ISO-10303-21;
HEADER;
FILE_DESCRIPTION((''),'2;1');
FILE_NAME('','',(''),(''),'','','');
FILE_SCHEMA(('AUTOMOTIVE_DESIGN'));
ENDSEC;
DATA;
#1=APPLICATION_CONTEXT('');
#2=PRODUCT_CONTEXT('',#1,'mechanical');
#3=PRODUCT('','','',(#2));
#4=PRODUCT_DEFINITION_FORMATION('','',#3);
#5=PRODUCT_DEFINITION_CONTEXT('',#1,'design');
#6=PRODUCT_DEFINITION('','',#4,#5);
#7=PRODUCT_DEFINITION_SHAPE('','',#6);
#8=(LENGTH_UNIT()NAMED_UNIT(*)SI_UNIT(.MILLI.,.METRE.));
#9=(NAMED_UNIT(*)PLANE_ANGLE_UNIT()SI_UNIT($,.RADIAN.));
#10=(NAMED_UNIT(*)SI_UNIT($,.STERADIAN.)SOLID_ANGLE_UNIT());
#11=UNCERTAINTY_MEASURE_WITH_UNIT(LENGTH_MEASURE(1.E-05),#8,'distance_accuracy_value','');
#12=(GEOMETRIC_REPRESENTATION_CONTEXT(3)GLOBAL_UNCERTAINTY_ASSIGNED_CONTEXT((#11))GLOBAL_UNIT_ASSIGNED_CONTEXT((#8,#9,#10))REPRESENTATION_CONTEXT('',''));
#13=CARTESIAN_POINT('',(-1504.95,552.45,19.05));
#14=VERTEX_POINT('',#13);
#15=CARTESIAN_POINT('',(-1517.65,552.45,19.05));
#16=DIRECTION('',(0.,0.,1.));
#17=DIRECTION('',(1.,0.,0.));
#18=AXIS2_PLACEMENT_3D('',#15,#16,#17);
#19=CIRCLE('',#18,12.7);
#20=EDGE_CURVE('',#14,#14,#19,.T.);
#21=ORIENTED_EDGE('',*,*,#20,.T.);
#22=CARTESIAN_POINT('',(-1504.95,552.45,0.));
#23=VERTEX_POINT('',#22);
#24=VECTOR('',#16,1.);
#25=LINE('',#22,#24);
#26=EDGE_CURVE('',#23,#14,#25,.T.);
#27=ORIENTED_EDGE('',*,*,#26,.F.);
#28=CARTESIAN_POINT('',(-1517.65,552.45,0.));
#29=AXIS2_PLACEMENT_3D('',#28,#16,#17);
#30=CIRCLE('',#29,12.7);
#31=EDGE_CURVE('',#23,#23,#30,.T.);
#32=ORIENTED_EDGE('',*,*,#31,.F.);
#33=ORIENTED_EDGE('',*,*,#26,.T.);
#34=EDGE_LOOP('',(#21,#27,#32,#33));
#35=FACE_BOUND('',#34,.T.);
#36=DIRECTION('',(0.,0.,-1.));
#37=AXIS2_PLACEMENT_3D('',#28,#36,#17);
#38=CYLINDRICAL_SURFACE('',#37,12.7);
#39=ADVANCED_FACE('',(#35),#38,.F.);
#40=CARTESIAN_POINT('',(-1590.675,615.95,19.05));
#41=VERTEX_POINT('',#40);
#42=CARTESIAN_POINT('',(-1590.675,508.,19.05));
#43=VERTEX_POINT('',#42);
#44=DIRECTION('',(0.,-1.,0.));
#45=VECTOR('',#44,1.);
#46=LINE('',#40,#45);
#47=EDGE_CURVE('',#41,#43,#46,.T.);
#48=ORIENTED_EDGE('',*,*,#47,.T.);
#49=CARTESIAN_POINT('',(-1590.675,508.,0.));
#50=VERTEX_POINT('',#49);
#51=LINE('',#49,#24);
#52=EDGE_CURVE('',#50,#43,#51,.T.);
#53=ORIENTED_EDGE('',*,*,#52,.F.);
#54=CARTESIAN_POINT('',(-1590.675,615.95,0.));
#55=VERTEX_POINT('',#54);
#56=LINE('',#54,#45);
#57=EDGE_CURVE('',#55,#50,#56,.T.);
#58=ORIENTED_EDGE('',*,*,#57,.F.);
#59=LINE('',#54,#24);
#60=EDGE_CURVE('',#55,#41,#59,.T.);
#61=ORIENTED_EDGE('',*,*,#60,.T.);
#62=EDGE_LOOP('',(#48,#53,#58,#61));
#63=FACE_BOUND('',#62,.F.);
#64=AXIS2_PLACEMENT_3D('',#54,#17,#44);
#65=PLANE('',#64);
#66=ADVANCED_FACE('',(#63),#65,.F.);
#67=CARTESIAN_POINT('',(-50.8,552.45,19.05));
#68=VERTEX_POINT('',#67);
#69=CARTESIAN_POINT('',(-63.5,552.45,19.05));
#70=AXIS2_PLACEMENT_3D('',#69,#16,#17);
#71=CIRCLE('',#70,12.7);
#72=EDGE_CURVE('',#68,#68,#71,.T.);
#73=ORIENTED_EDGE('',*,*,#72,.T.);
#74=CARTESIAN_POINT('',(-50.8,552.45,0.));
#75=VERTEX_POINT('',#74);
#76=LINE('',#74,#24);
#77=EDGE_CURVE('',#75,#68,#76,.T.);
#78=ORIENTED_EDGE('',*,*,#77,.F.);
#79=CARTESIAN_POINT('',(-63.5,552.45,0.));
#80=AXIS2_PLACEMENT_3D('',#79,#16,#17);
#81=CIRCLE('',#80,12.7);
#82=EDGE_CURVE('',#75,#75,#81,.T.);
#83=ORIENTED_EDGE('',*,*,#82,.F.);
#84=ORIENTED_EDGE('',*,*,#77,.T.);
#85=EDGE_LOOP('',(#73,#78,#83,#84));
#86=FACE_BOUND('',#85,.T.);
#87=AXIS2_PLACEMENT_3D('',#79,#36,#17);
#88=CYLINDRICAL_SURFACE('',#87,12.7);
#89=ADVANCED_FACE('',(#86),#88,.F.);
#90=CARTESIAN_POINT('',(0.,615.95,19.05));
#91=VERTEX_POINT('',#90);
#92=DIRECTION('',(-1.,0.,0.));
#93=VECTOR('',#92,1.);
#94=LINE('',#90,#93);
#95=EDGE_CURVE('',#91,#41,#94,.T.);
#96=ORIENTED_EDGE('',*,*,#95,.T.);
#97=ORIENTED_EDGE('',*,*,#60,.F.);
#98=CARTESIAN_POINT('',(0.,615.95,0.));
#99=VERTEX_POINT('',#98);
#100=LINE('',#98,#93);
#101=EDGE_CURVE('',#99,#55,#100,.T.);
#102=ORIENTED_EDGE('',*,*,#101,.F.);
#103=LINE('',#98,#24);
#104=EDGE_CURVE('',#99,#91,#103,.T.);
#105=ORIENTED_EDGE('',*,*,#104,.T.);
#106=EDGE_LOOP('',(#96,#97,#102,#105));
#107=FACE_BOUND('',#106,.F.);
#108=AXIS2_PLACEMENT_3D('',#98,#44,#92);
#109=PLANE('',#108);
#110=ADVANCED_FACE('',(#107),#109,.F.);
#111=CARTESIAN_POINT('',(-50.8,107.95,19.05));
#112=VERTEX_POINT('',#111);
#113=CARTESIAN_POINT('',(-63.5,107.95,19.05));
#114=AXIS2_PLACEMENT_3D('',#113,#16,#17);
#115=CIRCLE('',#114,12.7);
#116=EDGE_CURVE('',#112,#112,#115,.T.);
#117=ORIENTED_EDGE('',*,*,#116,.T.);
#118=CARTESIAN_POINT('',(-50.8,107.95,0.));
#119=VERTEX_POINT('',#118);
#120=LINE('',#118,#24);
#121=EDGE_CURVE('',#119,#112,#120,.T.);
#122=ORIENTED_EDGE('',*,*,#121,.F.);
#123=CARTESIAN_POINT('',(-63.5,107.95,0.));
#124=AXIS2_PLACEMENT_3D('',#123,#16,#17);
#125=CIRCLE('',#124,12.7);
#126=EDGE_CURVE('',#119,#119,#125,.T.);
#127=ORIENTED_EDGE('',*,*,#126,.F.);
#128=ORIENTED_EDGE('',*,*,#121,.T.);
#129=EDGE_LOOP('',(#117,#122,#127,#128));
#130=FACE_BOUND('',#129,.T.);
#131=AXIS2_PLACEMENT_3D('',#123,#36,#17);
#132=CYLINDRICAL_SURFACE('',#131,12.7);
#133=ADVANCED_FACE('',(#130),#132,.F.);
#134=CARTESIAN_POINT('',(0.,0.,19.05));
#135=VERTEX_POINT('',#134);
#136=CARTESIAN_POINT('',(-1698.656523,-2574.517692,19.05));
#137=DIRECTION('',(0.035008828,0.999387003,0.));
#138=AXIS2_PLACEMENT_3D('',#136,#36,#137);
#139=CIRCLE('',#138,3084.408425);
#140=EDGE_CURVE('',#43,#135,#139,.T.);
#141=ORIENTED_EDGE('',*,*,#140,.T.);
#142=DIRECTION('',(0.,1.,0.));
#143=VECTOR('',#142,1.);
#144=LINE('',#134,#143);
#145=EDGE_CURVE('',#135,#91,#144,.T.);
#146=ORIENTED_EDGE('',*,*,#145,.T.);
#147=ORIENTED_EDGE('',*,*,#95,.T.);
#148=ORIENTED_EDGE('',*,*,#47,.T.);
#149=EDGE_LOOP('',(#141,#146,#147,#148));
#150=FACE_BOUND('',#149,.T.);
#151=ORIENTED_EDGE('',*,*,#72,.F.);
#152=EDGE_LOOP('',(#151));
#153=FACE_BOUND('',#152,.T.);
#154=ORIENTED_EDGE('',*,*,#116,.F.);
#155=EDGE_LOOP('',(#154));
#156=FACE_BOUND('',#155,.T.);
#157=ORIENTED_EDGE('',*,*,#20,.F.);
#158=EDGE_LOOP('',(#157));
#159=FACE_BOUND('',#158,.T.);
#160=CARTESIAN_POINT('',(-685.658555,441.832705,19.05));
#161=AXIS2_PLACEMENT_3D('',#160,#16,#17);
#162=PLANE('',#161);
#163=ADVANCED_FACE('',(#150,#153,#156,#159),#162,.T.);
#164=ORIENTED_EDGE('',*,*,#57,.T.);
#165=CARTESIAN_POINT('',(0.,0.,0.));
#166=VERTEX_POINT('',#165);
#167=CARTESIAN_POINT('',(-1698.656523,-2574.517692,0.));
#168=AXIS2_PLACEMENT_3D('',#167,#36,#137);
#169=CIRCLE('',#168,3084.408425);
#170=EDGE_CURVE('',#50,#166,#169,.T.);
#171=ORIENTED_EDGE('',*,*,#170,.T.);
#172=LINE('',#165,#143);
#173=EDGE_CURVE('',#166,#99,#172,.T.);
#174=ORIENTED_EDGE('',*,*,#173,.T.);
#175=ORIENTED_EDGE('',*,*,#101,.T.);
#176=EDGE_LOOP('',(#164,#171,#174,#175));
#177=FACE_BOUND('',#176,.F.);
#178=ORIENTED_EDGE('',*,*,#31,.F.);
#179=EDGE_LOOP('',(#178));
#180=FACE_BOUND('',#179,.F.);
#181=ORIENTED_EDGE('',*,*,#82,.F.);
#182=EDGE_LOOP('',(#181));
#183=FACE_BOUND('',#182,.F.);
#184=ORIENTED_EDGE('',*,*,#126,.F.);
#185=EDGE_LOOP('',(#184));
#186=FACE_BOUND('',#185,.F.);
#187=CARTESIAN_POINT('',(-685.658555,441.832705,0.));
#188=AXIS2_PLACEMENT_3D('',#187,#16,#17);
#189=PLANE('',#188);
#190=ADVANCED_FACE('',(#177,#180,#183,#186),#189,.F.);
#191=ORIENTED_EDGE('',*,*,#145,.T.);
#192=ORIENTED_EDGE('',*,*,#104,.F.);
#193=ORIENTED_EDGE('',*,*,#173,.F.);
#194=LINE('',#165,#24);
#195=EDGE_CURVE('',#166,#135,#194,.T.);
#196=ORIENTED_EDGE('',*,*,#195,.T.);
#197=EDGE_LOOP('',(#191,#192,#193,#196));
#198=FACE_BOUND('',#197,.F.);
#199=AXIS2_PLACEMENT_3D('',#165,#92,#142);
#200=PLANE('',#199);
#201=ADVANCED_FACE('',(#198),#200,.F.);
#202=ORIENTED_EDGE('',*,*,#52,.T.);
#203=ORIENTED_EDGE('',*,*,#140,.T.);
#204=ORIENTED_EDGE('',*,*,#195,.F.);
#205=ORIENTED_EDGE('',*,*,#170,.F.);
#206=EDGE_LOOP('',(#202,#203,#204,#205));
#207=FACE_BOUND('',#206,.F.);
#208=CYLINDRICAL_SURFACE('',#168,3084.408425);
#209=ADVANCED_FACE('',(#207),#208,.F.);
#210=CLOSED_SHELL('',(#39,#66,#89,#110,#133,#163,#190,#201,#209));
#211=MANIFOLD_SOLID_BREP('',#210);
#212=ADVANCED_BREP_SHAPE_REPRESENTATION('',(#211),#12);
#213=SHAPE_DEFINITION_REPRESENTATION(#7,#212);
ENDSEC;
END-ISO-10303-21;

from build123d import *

# Parameters (mm, degrees)
F0_R     = 12.7
F1_DEPTH = 19.05


with BuildPart() as f1:
    # F0 (on Top) → F1 (new body)
    with BuildSketch(Plane.XY):
        with BuildLine():
            ThreePointArc((-1590.675, 508), (-760.306238, 363.691639), (0, 0))
            Line((0, 0), (0, 615.95))
            Line((0, 615.95), (-1590.675, 615.95))
            Line((-1590.675, 615.95), (-1590.675, 508))
        make_face()
        with Locations((-63.5, 107.95)):
            Circle(F0_R, mode=Mode.SUBTRACT)
        with Locations((-1517.65, 552.45)):
            Circle(F0_R, mode=Mode.SUBTRACT)
        with Locations((-63.5, 552.45)):
            Circle(F0_R, mode=Mode.SUBTRACT)
    extrude(amount=F1_DEPTH)


solid = f1.part
